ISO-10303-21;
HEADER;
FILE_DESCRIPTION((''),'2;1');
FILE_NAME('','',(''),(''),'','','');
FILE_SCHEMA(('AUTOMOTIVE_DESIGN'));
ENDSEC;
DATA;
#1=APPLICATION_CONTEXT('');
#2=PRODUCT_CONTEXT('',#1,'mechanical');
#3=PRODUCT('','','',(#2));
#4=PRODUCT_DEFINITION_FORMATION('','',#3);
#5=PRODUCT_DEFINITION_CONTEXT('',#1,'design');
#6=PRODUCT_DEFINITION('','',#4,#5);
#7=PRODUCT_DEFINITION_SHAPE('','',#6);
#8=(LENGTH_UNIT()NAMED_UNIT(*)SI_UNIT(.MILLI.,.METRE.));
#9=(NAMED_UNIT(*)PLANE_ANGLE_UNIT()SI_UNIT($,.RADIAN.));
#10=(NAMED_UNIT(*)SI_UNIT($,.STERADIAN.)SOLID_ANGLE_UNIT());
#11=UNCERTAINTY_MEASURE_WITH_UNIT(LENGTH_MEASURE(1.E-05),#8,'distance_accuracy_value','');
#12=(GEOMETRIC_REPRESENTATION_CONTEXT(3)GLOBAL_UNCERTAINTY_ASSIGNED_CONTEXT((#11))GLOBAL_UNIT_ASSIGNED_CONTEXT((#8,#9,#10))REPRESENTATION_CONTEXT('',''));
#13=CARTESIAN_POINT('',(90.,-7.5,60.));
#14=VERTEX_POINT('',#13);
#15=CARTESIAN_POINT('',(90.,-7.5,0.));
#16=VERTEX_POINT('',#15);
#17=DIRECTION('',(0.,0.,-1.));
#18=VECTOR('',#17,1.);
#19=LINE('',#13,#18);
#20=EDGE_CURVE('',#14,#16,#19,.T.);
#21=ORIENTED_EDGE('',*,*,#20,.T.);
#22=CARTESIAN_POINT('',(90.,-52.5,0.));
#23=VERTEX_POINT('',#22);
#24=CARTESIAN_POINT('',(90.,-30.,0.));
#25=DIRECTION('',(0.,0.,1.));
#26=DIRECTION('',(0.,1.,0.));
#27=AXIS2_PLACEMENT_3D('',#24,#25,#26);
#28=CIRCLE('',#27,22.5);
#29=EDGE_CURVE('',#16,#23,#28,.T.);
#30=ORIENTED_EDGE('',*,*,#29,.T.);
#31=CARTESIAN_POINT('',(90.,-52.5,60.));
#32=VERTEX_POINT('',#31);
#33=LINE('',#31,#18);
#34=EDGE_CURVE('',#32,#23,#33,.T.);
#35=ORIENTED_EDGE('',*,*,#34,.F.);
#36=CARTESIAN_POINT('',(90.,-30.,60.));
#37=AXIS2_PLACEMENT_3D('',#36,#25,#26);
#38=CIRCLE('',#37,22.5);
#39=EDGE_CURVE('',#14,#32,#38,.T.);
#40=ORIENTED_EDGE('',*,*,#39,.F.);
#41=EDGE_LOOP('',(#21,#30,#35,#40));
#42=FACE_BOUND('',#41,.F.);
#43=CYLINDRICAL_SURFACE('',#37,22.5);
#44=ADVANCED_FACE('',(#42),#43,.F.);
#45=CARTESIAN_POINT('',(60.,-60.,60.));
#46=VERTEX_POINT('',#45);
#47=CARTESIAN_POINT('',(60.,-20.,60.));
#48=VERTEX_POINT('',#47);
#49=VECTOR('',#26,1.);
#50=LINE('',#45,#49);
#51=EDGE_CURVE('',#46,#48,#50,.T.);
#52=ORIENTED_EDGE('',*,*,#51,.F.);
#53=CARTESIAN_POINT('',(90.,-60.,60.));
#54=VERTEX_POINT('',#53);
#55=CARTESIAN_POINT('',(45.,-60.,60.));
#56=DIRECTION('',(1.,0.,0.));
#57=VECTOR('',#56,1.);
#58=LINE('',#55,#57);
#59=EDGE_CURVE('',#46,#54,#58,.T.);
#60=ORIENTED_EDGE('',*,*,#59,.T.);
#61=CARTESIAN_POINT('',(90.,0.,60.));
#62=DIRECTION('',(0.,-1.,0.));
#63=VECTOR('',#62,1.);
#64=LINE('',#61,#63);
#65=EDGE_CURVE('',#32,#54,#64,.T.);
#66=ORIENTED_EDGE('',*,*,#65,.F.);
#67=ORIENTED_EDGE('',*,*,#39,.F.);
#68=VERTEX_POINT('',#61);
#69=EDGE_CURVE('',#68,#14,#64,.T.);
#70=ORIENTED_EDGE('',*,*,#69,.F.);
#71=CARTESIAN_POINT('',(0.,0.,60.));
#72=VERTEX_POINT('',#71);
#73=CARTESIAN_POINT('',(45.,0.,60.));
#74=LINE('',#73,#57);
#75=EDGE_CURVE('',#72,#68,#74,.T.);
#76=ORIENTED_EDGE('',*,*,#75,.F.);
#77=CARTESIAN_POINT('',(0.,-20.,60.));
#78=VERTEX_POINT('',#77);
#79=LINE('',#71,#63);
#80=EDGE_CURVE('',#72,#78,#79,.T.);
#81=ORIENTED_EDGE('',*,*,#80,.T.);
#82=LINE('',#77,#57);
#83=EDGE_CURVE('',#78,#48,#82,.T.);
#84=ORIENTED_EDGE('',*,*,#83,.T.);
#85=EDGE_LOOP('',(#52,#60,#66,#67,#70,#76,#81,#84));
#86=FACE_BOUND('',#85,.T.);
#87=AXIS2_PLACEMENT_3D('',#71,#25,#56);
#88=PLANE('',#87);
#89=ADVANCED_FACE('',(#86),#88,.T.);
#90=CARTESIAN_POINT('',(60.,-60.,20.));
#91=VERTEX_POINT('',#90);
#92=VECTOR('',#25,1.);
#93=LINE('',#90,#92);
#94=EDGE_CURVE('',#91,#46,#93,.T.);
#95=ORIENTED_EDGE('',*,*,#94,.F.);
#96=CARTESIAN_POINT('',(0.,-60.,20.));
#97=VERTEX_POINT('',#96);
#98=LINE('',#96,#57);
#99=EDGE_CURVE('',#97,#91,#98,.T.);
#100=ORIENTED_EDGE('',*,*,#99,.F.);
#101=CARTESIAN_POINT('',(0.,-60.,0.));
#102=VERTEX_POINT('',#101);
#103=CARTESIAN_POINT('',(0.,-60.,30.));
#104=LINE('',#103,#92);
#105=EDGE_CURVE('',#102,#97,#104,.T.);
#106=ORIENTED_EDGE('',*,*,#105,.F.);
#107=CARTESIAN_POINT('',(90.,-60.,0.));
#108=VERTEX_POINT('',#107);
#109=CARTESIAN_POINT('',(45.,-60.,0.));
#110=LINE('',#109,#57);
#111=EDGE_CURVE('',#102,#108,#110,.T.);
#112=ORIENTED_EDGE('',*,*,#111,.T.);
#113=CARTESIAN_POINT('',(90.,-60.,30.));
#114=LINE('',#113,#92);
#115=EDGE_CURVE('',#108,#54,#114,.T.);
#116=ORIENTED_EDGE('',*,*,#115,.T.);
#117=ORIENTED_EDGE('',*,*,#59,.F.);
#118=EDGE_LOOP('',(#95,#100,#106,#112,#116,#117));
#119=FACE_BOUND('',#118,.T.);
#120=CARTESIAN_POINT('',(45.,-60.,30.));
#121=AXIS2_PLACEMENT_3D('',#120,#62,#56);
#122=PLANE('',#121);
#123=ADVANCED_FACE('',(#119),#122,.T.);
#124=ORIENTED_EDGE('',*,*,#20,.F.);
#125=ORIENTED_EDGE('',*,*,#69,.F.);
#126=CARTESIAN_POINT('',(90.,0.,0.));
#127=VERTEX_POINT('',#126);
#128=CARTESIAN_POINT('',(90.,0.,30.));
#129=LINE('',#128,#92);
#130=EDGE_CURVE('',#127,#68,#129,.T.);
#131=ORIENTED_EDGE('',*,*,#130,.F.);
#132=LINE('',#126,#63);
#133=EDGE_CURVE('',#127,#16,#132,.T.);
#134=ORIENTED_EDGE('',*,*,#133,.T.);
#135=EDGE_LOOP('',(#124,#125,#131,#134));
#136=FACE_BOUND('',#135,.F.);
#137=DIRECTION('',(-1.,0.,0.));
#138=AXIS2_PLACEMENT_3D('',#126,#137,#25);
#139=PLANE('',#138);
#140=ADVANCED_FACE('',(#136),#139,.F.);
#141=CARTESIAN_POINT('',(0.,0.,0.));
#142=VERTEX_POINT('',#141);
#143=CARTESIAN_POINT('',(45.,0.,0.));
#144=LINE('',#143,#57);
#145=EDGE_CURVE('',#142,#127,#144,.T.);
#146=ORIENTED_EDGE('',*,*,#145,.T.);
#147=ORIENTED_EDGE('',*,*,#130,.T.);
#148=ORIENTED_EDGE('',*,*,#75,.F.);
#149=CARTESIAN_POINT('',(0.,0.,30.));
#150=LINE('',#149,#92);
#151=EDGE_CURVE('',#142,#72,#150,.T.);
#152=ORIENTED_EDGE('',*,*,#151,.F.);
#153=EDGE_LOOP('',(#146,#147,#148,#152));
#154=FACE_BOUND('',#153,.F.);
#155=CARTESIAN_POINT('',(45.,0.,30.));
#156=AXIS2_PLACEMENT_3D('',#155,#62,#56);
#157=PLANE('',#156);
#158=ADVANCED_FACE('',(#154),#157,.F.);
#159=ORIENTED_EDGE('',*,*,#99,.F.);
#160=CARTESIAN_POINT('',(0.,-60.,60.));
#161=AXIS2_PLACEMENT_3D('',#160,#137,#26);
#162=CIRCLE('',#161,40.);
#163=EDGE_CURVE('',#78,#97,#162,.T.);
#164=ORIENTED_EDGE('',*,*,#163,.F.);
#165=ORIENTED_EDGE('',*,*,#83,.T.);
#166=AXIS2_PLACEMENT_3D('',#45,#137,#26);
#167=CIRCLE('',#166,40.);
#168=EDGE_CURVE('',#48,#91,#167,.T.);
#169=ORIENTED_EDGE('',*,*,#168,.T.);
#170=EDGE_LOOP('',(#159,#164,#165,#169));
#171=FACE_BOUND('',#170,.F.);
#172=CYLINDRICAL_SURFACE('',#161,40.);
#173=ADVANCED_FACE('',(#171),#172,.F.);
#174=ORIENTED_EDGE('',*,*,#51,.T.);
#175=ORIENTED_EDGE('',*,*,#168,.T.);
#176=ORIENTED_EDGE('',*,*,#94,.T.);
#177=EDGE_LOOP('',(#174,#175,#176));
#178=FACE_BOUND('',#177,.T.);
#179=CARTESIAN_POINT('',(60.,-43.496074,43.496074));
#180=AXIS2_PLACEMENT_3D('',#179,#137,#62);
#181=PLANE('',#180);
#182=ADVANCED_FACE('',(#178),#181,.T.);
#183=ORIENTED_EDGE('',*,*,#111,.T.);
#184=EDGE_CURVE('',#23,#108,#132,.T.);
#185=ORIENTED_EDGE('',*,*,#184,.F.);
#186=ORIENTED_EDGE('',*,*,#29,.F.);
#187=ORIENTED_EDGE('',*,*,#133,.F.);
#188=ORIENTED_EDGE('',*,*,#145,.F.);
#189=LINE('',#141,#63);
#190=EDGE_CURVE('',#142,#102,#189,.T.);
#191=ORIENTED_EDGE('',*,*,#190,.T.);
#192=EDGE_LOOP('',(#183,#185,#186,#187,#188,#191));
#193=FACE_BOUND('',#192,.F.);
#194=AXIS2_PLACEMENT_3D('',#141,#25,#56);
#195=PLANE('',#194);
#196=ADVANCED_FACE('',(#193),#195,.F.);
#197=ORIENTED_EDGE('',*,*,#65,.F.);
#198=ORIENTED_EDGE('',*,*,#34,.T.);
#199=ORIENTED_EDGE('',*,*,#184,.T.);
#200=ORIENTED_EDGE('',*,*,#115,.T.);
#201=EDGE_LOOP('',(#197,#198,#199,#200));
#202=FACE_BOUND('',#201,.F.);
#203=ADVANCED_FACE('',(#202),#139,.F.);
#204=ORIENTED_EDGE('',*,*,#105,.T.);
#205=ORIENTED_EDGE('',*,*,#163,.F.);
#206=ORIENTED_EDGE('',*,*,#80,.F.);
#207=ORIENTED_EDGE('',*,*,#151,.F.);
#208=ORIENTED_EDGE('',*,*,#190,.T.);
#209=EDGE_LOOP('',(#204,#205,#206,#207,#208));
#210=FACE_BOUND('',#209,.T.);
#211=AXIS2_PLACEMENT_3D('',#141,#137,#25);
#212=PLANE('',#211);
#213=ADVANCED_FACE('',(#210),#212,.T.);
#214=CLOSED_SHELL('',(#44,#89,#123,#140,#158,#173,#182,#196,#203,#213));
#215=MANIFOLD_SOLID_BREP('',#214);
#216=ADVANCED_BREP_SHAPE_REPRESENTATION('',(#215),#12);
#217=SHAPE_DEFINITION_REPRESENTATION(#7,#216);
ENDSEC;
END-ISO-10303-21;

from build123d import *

# Parameters (mm, degrees)
F0_W     = 90
F0_H     = 60
F1_DEPTH = 60
F3_DEPTH = 60
F5_DEPTH = 60.001


with BuildPart() as f1:
    # F0 (on Front) → F1 (new body)
    with BuildSketch(Plane.XZ):
        with Locations((45, 30)):
            Rectangle(F0_W, F0_H)
    extrude(amount=F1_DEPTH)

    # F2 (on face) → F3 (cut)
    with BuildSketch(Plane(origin=(0, 0, 0), x_dir=(0, -1, 0), z_dir=(-1, 0, 0))):
        with BuildLine():
            Line((60, 60), (20, 60))
            ThreePointArc((20, 60), (31.7157287525, 31.7157287525), (60, 20))
            Line((60, 20), (60, 60))
        make_face()
    extrude(amount=-F3_DEPTH, mode=Mode.SUBTRACT)

    # F4 (on face) → F5 (cut, through all)
    with BuildSketch(Plane.XY.offset(60)):
        with BuildLine():
            Line((90, -52.5), (90, -7.5))
            ThreePointArc((90, -7.5), (67.5, -30), (90, -52.5))
        make_face()
    extrude(amount=-F5_DEPTH, mode=Mode.SUBTRACT)


solid = f1.part
